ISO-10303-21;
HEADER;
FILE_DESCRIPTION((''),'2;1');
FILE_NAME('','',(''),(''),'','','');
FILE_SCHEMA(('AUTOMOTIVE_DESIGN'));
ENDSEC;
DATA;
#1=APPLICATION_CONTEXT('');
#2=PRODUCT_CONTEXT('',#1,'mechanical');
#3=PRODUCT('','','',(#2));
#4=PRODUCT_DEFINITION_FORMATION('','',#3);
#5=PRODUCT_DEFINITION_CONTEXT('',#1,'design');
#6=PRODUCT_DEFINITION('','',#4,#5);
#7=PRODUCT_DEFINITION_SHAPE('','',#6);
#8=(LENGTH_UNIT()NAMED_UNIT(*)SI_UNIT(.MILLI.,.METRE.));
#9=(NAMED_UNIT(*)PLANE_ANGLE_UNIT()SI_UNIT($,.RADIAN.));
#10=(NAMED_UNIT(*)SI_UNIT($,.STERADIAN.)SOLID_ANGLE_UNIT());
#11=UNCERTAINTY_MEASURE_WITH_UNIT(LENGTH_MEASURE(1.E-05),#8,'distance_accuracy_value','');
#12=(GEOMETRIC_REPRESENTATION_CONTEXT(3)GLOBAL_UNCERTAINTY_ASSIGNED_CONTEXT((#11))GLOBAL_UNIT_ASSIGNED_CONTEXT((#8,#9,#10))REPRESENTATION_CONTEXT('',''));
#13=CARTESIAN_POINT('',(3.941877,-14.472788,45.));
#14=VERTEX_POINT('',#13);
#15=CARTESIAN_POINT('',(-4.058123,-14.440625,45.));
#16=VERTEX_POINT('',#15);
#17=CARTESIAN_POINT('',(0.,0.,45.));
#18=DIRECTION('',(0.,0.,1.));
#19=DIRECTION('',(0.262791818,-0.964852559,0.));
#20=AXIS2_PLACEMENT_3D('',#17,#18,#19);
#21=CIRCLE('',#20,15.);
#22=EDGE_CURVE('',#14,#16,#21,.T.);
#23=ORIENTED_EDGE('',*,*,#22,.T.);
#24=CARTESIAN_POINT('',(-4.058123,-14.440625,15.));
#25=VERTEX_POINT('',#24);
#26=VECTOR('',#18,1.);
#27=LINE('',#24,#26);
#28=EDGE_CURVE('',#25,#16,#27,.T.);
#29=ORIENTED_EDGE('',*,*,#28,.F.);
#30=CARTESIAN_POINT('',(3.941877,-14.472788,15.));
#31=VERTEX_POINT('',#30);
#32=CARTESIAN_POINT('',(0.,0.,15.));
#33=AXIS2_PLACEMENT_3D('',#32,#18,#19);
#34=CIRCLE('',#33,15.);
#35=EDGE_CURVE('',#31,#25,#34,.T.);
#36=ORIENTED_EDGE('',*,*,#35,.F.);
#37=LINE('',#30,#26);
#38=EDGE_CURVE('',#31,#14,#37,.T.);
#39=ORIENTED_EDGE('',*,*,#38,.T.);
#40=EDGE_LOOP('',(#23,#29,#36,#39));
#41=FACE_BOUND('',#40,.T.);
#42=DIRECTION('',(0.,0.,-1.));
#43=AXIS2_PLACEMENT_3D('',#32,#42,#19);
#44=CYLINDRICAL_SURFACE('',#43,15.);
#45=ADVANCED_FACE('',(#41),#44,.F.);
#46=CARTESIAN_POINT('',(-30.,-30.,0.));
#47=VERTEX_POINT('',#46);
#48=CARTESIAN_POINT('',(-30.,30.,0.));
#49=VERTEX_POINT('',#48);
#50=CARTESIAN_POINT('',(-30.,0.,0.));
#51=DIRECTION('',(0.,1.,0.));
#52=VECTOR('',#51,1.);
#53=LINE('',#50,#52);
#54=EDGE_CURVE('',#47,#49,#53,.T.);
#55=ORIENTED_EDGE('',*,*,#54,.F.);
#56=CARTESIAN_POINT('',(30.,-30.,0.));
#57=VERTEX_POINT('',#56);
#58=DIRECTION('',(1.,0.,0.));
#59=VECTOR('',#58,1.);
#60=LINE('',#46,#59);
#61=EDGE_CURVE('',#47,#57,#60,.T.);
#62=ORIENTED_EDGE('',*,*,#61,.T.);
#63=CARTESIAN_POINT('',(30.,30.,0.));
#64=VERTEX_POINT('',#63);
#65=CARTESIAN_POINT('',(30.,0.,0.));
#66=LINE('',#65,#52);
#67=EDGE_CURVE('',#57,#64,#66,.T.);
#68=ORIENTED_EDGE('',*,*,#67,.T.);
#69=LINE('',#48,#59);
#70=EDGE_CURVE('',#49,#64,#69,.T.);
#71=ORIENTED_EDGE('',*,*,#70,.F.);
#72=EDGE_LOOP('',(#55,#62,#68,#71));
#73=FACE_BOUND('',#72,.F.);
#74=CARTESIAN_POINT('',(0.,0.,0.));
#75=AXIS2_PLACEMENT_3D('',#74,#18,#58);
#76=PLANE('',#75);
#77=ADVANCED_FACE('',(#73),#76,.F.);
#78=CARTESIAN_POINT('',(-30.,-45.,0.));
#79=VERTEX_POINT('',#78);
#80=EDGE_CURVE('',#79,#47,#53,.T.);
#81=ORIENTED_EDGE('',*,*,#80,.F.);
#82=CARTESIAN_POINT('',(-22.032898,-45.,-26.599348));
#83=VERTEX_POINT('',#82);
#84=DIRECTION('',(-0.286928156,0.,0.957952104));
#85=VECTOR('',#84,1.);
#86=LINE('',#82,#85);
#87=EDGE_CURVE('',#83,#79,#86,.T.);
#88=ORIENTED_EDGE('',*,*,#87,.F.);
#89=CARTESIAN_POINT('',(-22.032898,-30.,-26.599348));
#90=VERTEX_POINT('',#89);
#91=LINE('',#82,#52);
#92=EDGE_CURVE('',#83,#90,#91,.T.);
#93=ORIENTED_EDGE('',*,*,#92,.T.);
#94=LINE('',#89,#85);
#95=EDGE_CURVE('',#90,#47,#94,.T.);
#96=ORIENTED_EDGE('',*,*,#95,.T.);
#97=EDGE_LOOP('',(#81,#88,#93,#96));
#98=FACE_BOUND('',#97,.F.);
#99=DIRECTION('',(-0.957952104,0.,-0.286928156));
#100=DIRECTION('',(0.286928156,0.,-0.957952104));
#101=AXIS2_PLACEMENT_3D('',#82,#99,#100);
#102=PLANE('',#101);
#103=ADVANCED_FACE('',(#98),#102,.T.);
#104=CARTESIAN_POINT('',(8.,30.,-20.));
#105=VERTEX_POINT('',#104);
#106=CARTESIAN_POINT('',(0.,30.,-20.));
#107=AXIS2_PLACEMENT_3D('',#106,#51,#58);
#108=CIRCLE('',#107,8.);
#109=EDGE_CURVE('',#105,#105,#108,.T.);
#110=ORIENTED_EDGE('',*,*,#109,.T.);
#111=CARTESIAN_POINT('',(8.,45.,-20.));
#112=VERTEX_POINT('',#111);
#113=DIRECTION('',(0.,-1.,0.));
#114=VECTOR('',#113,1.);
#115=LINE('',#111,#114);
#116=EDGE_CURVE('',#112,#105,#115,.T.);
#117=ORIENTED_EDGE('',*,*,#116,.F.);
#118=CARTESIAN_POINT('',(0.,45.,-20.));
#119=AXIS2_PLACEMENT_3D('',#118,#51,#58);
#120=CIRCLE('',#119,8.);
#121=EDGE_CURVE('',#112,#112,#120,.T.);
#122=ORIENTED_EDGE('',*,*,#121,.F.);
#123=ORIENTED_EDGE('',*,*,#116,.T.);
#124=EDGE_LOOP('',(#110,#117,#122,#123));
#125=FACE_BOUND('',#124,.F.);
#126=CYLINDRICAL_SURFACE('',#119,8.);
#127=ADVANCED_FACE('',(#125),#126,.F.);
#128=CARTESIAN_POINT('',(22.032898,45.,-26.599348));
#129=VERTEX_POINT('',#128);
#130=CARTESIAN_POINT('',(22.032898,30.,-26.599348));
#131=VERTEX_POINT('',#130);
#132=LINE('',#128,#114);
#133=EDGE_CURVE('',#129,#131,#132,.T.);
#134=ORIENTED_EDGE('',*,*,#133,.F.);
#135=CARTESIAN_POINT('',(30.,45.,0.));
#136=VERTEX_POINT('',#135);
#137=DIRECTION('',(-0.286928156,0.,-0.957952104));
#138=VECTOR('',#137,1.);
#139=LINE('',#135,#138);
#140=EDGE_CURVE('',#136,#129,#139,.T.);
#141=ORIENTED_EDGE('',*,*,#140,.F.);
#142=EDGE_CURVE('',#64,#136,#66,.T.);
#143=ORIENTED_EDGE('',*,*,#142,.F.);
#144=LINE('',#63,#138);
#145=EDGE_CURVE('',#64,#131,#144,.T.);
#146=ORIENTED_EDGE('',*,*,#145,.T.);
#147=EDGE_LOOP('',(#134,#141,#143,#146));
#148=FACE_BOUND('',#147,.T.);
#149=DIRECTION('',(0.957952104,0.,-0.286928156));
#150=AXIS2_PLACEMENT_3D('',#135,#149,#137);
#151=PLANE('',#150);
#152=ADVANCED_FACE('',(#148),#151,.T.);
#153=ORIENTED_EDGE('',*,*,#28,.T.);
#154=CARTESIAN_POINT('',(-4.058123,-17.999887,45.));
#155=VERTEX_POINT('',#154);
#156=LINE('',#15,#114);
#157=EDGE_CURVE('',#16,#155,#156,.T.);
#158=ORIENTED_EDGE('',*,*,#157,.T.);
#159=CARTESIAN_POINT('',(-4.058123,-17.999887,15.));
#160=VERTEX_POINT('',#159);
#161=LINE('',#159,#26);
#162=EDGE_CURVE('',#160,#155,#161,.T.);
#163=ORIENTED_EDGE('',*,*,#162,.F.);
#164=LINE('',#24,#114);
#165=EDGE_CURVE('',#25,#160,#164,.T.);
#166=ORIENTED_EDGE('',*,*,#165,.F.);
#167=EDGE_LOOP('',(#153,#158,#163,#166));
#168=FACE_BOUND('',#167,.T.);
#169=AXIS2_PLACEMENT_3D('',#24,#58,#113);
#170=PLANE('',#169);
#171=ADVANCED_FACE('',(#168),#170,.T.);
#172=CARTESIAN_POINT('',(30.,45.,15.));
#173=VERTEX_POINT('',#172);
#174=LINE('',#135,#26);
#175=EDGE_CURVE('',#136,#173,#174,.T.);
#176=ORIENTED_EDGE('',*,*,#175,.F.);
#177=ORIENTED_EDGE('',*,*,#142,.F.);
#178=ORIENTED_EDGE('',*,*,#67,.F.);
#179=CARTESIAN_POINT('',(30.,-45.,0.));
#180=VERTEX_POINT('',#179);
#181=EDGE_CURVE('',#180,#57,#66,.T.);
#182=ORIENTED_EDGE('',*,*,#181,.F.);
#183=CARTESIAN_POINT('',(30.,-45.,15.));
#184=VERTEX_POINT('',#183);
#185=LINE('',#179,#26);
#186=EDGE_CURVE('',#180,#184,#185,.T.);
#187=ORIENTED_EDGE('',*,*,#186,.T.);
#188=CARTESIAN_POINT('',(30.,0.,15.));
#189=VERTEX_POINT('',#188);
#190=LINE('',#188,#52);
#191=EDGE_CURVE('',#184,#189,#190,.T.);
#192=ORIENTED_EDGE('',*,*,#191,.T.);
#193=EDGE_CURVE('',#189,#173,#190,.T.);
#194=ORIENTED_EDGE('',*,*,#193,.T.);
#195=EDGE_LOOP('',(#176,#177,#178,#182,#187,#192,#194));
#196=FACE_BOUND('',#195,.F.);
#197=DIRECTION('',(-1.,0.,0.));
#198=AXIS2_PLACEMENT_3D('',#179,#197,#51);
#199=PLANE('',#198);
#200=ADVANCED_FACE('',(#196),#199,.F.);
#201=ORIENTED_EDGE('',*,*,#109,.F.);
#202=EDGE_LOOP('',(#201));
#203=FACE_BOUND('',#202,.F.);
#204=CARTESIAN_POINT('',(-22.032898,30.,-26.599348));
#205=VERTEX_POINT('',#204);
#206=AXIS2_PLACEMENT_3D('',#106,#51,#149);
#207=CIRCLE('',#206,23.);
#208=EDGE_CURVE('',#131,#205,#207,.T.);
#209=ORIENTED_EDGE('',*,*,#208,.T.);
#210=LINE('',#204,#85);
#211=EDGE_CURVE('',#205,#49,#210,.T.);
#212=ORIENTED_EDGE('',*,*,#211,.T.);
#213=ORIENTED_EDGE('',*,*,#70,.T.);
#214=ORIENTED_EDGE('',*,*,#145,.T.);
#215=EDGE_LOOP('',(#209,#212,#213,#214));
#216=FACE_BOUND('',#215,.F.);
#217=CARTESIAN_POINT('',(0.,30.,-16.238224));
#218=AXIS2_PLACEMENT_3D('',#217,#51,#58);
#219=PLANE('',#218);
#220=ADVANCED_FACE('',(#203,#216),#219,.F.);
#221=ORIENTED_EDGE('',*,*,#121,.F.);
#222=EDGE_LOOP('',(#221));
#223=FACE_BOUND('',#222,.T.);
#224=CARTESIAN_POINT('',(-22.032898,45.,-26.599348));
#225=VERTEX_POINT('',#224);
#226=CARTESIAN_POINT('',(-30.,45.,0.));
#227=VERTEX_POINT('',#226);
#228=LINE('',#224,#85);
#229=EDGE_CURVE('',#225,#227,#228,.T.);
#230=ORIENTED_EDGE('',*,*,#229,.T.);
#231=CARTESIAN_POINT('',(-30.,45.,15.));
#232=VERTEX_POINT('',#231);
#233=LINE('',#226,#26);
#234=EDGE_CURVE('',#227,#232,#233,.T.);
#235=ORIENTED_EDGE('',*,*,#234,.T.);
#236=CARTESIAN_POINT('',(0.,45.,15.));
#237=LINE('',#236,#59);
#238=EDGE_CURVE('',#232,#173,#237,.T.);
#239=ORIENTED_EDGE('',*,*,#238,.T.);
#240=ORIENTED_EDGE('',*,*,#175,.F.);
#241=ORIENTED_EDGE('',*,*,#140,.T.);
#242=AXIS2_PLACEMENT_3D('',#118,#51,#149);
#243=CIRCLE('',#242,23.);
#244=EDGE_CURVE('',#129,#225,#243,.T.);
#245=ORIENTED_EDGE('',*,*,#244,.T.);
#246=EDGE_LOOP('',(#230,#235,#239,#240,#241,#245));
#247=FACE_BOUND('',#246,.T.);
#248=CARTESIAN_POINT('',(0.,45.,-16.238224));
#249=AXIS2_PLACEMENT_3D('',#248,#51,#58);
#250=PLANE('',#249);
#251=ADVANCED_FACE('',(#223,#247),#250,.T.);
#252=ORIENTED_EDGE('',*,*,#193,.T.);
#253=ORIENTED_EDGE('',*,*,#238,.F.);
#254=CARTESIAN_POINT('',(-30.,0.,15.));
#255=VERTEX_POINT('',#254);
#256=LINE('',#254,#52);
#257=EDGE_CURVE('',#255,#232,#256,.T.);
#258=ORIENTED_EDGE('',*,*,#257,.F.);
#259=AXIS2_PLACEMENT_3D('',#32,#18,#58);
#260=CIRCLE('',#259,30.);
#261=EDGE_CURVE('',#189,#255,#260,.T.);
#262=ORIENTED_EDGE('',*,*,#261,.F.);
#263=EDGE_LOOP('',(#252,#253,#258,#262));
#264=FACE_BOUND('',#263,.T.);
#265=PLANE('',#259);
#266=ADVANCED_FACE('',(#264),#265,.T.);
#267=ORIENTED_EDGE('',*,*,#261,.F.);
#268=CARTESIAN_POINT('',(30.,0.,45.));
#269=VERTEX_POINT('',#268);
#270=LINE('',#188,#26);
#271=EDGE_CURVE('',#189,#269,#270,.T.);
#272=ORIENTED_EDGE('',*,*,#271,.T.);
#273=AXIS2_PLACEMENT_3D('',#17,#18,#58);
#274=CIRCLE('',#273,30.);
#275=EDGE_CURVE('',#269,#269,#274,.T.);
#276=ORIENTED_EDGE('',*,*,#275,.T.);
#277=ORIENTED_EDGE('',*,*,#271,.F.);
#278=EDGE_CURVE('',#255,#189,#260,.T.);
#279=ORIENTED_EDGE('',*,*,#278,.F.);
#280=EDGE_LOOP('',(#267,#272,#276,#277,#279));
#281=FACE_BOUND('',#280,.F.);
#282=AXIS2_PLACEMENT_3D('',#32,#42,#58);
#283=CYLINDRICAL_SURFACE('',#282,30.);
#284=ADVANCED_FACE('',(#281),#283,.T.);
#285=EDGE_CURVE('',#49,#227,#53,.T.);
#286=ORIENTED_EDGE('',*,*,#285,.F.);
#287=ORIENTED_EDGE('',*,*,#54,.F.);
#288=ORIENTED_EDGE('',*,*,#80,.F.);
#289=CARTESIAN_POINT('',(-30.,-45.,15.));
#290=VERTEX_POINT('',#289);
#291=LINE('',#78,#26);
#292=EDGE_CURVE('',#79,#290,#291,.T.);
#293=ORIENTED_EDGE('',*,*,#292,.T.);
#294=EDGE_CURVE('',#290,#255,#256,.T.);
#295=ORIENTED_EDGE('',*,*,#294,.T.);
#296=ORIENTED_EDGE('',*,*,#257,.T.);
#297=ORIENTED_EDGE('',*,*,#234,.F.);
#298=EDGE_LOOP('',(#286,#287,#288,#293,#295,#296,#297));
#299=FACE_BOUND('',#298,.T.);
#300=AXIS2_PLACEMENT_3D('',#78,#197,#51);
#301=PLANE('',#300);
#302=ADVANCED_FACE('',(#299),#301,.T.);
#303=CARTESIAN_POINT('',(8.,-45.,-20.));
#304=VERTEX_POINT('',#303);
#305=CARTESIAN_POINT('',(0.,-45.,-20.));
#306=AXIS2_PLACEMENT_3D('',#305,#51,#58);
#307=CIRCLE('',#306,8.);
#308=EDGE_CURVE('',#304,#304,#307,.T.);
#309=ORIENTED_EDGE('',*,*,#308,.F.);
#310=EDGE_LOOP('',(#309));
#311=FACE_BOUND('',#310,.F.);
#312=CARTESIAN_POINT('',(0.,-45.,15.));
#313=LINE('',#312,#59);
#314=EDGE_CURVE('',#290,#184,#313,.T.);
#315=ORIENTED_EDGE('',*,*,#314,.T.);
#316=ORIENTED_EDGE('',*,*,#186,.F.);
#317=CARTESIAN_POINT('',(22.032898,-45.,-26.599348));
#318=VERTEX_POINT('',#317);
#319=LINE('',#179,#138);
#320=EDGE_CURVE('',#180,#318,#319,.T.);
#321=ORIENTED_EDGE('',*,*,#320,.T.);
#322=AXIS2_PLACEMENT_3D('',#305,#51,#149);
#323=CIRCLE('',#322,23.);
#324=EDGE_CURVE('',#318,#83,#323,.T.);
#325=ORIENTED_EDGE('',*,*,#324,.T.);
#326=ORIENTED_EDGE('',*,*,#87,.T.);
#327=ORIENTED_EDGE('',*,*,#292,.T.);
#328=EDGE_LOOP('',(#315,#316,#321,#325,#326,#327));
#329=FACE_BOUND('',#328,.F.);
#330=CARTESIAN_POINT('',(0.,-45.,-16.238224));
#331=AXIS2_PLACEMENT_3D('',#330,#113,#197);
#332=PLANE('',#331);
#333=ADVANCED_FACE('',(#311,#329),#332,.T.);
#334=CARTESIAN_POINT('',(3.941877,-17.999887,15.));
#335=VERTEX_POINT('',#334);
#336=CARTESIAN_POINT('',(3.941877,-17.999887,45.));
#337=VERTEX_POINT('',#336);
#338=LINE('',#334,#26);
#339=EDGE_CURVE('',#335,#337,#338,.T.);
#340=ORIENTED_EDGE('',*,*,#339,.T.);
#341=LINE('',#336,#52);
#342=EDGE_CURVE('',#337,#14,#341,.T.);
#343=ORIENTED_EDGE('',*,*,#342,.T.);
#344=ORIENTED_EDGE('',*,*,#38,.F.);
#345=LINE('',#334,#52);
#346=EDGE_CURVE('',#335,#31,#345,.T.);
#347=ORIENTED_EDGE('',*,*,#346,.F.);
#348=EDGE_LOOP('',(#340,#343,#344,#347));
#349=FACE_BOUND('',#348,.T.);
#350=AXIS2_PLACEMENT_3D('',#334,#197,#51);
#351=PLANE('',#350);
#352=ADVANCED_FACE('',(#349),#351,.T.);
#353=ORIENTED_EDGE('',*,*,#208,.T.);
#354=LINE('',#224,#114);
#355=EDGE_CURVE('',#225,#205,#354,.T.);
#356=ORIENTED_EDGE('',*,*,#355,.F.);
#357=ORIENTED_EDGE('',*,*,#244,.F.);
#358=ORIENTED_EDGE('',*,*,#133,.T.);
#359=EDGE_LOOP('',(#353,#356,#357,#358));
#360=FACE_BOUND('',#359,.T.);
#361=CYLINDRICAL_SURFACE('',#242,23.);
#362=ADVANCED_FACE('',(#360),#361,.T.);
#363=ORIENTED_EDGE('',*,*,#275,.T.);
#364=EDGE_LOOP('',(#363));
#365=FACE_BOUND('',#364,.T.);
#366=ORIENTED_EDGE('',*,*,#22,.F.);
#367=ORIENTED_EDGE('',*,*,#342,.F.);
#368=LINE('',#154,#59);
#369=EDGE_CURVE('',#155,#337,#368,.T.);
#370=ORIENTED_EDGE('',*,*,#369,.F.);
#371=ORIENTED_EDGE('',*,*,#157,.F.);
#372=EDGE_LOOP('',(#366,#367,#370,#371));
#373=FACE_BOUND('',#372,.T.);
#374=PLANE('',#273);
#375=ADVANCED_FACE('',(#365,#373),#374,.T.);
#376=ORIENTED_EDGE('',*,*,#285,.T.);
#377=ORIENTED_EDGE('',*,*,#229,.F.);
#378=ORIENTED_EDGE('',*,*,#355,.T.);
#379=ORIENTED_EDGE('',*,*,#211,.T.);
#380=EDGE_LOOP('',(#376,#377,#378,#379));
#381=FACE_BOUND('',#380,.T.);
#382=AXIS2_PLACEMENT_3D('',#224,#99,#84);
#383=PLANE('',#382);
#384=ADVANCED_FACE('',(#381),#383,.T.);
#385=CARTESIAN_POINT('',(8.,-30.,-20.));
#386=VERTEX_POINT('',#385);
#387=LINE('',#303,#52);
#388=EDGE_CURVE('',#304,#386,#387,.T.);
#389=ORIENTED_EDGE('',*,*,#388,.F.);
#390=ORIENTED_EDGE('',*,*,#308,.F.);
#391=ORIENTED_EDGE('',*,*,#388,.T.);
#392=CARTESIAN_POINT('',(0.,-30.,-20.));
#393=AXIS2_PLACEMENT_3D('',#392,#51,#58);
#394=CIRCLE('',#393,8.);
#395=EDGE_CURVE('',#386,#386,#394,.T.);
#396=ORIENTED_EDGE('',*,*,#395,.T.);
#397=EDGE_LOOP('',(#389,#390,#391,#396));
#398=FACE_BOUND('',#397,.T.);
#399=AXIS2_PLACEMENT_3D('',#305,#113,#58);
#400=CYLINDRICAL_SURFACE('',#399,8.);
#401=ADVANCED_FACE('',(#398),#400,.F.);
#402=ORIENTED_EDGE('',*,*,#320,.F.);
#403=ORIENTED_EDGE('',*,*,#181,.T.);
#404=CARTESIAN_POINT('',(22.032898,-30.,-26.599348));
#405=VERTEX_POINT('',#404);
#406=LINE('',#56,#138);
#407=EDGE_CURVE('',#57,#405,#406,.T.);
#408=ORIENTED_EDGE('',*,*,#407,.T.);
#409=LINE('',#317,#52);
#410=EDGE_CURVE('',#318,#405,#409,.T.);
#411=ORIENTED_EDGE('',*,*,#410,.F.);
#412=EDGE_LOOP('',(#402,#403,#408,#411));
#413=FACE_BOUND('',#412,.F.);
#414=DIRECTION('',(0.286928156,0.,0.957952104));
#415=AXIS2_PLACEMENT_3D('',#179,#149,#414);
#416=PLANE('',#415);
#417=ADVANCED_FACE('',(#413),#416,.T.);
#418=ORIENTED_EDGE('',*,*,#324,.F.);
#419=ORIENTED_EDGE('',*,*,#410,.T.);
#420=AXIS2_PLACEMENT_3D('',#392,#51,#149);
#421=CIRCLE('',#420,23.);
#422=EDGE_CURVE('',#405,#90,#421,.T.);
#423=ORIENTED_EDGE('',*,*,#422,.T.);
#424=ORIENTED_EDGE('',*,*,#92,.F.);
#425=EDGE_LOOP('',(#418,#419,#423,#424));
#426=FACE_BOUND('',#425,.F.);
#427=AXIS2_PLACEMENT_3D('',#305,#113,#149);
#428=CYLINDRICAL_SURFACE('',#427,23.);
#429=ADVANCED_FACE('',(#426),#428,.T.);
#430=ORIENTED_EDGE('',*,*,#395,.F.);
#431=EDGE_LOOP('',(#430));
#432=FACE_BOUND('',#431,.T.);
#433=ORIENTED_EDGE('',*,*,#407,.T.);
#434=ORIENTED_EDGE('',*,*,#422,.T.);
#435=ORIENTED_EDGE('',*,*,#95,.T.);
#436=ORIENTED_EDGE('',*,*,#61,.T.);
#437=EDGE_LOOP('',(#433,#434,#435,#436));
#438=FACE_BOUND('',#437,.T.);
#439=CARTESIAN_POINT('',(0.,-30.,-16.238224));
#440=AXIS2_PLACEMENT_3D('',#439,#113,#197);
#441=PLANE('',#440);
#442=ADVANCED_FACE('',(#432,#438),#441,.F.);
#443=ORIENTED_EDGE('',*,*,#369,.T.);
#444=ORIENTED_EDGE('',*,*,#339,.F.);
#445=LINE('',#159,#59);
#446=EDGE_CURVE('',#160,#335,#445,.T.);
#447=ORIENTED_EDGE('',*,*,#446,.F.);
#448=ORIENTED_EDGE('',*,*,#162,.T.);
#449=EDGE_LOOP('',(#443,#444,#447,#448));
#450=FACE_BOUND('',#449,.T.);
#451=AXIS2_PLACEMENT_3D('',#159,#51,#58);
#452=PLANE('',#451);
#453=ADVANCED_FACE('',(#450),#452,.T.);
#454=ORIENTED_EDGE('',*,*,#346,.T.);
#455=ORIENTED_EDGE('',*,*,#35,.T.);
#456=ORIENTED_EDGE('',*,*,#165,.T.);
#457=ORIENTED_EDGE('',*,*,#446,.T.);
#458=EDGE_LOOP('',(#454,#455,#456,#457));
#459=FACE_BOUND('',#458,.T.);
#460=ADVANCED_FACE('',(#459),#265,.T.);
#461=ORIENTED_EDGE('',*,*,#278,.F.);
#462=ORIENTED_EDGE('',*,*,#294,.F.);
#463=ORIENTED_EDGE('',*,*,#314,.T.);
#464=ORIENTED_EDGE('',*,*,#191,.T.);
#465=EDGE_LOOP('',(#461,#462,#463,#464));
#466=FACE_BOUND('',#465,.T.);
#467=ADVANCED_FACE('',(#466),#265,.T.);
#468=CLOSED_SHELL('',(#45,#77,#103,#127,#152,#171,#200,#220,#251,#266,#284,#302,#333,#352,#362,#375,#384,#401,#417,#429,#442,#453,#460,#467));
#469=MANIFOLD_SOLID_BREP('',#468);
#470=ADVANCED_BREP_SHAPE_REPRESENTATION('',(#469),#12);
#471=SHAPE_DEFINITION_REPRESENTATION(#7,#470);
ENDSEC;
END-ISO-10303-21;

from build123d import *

# Parameters (mm, degrees)
SKETCH1_W           = 60
SKETCH1_H           = 90
BOSS_EXTRUDE1_DEPTH = 15
SKETCH2_R           = 30
BOSS_EXTRUDE2_DEPTH = 30
SKETCH3_R           = 8
BOSS_EXTRUDE3_DEPTH = 15


with BuildPart() as part:
    # Sketch1 → Boss-Extrude1 (new body)
    with BuildSketch(Plane.XY):
        Rectangle(SKETCH1_W, SKETCH1_H)
    extrude(amount=BOSS_EXTRUDE1_DEPTH)

    # Sketch2 → Boss-Extrude2 (add)
    with BuildSketch(Plane.XY.offset(15)):
        Circle(SKETCH2_R)
        with BuildLine():
            Line((-4.058122732, -14.440624637), (-4.058122732, -17.999887391))
            Line((-4.058122732, -17.999887391), (3.941877268, -17.999887391))
            Line((3.941877268, -17.999887391), (3.941877268, -14.472788384))
            ThreePointArc((3.941877268, -14.472788384), (0.060306539, 14.99987877), (-4.058122732, -14.440624637))
        make_face(mode=Mode.SUBTRACT)
    extrude(amount=BOSS_EXTRUDE2_DEPTH)

    # Sketch3 → Boss-Extrude3 (add)
    with BuildSketch(Plane(origin=(0, 45, 0), x_dir=(1, 0, 0), z_dir=(0, 1, 0))):
        with BuildLine():
            Line((-30, 0), (30, 0))
            Line((30, 0), (22.03289839, 26.599347585))
            ThreePointArc((22.03289839, 26.599347585), (0, 43), (-22.03289839, 26.599347585))
            Line((-22.03289839, 26.599347585), (-30, 0))
        make_face()
        with Locations((0, 20)):
            Circle(SKETCH3_R, mode=Mode.SUBTRACT)
    boss_extrude3 = extrude(amount=-BOSS_EXTRUDE3_DEPTH)

    # Mirror1: Boss-Extrude3 across plane
    add(boss_extrude3.mirror(Plane.ZX))


solid = part.part
